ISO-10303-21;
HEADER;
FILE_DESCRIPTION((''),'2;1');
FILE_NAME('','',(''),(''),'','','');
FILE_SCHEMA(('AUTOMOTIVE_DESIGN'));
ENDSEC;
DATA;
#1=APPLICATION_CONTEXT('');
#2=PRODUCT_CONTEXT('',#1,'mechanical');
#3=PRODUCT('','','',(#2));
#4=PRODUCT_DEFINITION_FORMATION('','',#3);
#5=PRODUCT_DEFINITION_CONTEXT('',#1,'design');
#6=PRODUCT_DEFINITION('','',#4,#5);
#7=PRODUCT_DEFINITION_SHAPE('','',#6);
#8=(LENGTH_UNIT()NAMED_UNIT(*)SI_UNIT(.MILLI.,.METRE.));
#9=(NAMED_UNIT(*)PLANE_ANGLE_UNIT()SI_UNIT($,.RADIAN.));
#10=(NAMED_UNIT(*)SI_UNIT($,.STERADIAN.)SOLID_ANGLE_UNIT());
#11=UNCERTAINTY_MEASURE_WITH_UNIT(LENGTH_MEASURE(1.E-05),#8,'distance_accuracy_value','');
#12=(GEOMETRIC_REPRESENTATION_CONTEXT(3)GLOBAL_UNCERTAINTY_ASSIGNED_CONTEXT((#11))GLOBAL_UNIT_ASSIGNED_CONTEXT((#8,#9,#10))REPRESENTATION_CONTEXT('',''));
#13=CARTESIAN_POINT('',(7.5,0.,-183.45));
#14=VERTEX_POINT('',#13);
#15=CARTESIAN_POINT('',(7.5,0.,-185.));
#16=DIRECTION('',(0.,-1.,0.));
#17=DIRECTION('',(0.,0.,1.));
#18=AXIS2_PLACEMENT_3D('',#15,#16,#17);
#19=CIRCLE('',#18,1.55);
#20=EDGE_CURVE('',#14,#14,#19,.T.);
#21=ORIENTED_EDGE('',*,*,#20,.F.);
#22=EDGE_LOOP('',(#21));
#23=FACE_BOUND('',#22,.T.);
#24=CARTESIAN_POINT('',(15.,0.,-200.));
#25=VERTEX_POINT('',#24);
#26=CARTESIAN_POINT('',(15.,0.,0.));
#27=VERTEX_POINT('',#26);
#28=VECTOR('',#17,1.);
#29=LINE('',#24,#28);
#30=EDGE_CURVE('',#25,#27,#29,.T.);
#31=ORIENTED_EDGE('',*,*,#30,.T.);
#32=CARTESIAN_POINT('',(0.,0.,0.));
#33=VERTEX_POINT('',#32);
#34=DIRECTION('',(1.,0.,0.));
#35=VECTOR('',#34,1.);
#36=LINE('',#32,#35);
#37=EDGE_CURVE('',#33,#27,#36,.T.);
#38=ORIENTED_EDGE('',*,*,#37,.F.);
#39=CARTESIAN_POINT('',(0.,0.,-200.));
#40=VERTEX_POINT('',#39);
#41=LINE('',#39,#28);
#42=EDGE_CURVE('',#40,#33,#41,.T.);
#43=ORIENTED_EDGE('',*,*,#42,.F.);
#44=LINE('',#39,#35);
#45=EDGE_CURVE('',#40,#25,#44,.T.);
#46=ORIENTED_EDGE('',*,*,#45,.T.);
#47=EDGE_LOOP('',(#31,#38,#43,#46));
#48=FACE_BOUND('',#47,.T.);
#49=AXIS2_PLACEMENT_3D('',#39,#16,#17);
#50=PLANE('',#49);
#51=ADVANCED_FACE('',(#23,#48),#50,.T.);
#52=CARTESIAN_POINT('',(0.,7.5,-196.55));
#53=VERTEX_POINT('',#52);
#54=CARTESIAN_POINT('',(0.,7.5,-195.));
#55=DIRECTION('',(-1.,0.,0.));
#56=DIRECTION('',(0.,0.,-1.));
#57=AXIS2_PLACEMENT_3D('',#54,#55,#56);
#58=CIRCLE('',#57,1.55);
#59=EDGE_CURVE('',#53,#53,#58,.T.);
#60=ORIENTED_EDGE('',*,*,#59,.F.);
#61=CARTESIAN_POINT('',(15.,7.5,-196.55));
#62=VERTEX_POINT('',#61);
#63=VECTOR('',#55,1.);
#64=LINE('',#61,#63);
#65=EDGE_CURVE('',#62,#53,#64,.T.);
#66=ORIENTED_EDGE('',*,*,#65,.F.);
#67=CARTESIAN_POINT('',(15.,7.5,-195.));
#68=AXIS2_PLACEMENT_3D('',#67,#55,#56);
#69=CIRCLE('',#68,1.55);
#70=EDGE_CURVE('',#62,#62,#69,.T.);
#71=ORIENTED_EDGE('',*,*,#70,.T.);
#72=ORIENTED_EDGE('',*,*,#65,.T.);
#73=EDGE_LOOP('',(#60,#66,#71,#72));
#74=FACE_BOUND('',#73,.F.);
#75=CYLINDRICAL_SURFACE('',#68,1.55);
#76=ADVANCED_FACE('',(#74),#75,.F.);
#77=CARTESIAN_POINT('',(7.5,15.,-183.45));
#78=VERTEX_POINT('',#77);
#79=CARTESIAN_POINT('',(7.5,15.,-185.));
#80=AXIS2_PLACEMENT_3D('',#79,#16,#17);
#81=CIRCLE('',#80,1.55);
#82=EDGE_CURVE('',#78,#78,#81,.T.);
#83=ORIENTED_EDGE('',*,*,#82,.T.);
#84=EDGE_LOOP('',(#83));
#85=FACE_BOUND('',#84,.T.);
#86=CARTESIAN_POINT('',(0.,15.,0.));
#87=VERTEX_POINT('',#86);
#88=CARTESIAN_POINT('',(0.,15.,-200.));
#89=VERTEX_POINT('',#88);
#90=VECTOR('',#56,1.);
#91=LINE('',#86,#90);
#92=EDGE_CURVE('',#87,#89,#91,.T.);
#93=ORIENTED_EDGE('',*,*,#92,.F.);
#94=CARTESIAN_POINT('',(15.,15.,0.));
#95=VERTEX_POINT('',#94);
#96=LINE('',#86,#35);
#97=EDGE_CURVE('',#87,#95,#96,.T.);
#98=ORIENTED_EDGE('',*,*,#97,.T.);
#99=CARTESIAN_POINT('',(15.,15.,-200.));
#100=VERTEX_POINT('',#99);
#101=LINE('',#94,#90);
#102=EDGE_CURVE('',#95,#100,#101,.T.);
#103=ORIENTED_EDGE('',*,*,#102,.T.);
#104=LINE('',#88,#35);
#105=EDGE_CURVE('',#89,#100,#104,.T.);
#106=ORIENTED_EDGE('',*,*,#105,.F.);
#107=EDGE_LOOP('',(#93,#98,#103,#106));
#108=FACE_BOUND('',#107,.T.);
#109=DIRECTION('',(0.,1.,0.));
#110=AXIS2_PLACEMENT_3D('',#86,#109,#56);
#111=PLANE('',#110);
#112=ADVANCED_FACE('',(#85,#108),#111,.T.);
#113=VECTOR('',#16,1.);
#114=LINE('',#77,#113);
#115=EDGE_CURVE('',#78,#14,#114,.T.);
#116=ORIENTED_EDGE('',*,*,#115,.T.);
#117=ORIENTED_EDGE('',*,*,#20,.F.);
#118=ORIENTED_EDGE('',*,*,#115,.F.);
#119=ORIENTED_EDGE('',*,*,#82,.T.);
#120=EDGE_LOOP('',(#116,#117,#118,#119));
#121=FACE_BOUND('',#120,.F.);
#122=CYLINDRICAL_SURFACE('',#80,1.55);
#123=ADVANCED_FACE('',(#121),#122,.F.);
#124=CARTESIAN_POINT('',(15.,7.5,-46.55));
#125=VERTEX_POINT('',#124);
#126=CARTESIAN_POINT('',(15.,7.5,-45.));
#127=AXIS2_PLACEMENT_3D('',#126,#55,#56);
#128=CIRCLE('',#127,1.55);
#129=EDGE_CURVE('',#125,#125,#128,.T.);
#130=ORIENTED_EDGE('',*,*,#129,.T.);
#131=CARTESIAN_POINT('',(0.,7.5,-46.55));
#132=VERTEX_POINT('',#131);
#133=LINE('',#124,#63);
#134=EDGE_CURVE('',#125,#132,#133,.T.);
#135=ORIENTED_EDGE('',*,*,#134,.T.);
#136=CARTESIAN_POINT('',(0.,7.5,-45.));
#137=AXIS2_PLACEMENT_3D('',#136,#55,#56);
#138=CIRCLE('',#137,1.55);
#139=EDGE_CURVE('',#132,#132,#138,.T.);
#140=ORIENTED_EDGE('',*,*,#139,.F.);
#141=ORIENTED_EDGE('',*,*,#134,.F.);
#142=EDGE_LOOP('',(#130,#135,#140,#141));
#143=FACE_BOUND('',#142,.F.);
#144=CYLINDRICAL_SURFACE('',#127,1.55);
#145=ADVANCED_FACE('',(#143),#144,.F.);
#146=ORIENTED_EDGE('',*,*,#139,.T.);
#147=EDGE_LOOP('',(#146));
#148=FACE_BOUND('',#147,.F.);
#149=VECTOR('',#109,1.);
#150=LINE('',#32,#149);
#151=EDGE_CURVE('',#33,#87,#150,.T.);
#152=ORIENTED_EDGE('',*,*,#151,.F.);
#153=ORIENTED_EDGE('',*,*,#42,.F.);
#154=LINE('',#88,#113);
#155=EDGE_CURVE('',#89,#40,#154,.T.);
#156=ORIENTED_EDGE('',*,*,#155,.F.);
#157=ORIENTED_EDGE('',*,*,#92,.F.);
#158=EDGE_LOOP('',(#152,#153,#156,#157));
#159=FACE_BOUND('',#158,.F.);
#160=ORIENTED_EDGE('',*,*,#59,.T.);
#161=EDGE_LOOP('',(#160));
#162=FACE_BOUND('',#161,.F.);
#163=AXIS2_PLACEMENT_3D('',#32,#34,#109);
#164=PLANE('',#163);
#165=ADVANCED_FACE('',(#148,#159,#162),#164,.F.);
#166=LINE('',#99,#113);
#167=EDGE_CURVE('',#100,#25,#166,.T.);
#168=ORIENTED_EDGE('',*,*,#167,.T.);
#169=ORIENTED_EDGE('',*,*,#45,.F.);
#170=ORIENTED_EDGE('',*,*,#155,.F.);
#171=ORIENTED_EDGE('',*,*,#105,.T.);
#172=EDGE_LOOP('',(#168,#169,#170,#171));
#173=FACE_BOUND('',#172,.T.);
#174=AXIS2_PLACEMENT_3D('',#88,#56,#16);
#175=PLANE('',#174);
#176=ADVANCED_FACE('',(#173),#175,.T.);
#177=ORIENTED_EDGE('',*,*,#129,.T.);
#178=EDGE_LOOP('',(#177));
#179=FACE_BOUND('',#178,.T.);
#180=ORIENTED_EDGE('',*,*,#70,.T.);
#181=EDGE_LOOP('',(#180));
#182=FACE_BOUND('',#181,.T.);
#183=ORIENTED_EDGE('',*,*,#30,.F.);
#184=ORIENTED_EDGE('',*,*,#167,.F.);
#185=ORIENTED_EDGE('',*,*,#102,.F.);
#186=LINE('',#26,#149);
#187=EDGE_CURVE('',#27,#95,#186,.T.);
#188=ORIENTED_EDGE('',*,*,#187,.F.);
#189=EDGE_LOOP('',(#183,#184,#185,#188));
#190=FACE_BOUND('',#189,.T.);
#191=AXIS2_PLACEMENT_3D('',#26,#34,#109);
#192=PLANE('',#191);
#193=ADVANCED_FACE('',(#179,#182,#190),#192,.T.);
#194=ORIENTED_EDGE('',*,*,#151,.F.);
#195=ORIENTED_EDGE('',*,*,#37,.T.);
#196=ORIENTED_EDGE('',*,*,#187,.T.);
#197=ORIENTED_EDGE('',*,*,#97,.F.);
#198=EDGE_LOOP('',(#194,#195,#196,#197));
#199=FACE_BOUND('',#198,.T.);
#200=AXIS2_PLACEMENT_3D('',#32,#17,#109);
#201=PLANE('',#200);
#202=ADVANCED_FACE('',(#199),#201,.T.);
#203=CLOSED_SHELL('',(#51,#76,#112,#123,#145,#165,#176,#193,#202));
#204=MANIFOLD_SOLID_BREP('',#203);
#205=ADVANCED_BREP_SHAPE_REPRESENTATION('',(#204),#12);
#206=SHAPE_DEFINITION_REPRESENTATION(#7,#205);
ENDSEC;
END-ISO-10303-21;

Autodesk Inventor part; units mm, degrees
ref_plane "YZ Plane" through (0, 0, 0) normal (1, 0, 0) x (0, 1, 0)
ref_plane "XZ Plane" through (0, 0, 0) normal (0, 1, 0) x (-1, 0, 0)
ref_plane "XY Plane" through (0, 0, 0) normal (0, 0, 1) x (1, 0, 0)
sketch "スケッチ1" plane through (0, 0, 0) normal (1, 0, 0) x (0, 1, 0)
  line L0 (0, 0) -> (15, 0)
  line L1 (15, 0) -> (15, -200)
  line L2 (15, -200) -> (0, -200)
  line L3 (0, -200) -> (0, 0)
  dimension "d0" = 15
  dimension "d1" = 200
extrude "押し出し1" add sketch "スケッチ1" along normal blind 15
sketch "スケッチ2" plane through (15, 0, 0) normal (1, 0, 0) x (0, 0, -1)
  line L0 (200, 0) -> (200, 15) projected
  line L1 (0, 15) -> (0, 0) projected
  point P0 (195, 7.5)
  point P1 (45, 7.5)
  point P2 (200, 7.5)
  point P3 (200, 7.5)
  point P4 (200, 7.5)
  point P5 (0, 7.5)
  dimension "d4" = 5
  dimension "d5" = 45
hole "穴1" at (15, 7.5, -195) at (15, 7.5, -45) direction (-1, 0, 0) diameter 3.1 end through all
sketch "スケッチ3" plane through (0, 15, 0) normal (0, 1, 0) x (1, 0, 0)
  line L0 (0, 200) -> (15, 200) projected
  point P0 (0, 0)
  point P1 (7.5, 185)
  point P2 (7.5, 200)
  point P3 (7.5, 200)
  dimension "d13" = 15
hole "穴2" at (7.5, 15, -185) direction (0, -1, 0) diameter 3.1 end through all
properties part number "Dai"
